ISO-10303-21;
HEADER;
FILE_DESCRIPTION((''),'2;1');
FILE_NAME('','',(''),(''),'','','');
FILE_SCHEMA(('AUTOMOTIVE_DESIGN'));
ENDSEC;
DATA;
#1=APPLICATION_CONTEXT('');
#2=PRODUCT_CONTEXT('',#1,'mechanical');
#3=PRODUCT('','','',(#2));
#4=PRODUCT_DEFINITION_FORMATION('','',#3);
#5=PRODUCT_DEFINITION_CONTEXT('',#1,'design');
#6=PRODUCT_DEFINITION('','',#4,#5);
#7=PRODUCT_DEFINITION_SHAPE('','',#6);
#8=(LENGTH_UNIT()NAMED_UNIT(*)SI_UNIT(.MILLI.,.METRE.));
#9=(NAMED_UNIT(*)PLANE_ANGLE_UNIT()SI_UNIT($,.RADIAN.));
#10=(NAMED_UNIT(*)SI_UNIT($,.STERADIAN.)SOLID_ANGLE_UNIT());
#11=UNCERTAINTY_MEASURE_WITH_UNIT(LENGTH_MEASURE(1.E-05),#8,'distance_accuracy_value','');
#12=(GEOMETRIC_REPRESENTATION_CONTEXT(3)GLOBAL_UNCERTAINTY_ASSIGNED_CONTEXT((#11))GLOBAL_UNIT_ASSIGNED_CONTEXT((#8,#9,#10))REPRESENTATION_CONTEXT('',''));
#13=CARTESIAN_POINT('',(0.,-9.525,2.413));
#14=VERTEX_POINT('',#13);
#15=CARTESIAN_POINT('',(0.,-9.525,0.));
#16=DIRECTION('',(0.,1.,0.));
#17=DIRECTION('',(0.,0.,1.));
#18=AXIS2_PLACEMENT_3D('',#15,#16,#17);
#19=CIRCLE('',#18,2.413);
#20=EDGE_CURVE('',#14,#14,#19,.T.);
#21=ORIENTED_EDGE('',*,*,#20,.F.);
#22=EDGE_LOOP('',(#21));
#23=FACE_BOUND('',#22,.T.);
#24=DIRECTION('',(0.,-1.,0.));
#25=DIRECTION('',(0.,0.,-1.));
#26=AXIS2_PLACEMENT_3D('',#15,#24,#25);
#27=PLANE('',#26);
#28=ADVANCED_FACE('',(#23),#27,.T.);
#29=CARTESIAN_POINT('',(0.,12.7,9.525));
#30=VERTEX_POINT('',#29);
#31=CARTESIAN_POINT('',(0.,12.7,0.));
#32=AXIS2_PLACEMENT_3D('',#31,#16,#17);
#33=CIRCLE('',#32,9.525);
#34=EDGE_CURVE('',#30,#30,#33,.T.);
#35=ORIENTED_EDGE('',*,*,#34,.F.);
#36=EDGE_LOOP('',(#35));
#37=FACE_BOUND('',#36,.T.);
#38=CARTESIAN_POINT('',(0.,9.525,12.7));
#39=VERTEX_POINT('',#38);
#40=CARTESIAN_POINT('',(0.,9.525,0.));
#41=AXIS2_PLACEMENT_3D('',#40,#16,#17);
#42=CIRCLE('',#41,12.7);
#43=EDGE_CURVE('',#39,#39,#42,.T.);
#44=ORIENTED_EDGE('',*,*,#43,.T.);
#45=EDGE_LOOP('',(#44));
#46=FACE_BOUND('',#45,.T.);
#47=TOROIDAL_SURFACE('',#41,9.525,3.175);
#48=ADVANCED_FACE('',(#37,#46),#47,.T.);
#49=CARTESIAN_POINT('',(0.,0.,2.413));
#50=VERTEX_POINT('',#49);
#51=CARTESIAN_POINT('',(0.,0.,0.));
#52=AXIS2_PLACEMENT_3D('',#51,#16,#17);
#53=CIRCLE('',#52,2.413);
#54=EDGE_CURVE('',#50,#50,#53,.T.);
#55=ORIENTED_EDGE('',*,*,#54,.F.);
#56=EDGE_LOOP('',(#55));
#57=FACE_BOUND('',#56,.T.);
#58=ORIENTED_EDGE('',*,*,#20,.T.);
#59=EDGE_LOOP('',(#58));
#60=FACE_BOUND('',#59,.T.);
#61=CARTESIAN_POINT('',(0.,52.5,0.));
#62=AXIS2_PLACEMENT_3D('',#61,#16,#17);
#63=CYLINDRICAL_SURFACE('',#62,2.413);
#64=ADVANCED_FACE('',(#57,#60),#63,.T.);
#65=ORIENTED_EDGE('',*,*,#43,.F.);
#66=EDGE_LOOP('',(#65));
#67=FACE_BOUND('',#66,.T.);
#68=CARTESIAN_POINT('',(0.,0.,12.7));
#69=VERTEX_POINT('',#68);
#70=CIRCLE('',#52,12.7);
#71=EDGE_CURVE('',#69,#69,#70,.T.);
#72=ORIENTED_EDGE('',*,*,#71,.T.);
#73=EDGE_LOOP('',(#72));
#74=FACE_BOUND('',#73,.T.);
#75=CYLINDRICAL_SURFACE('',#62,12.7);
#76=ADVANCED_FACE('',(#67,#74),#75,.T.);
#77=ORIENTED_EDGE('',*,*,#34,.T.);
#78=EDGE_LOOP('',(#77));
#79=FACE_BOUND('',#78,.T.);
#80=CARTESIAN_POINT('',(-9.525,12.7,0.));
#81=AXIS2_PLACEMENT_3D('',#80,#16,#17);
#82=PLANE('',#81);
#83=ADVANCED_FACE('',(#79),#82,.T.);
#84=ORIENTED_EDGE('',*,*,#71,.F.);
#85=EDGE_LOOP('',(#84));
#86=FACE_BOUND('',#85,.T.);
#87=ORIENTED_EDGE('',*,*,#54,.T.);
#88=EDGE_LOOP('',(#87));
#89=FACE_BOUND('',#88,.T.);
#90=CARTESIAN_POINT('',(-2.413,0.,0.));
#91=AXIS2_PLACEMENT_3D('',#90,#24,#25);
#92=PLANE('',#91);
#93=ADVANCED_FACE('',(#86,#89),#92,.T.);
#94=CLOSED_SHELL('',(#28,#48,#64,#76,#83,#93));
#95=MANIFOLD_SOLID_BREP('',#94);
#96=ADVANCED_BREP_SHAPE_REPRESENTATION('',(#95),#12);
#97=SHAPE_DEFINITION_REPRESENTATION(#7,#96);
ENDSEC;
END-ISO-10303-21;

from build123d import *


with BuildPart() as part:
    # Sketch1 → Revolve1 (revolve)
    with BuildSketch(Plane.XY):
        with BuildLine():
            Line((0, -9.525), (-2.413, -9.525))
            Line((-2.413, -9.525), (-2.413, 0))
            Line((-2.413, 0), (-12.7, 0))
            Line((-12.7, 0), (-12.7, 9.525))
            ThreePointArc((-12.7, 9.525), (-11.77006403, 11.77006403), (-9.525, 12.7))
            Line((-9.525, 12.7), (0, 12.7))
            Line((0, 12.7), (0, -9.525))
        make_face()
    revolve(axis=Axis((0, 52.5, 0), (0, -1, 0)))


solid = part.part
